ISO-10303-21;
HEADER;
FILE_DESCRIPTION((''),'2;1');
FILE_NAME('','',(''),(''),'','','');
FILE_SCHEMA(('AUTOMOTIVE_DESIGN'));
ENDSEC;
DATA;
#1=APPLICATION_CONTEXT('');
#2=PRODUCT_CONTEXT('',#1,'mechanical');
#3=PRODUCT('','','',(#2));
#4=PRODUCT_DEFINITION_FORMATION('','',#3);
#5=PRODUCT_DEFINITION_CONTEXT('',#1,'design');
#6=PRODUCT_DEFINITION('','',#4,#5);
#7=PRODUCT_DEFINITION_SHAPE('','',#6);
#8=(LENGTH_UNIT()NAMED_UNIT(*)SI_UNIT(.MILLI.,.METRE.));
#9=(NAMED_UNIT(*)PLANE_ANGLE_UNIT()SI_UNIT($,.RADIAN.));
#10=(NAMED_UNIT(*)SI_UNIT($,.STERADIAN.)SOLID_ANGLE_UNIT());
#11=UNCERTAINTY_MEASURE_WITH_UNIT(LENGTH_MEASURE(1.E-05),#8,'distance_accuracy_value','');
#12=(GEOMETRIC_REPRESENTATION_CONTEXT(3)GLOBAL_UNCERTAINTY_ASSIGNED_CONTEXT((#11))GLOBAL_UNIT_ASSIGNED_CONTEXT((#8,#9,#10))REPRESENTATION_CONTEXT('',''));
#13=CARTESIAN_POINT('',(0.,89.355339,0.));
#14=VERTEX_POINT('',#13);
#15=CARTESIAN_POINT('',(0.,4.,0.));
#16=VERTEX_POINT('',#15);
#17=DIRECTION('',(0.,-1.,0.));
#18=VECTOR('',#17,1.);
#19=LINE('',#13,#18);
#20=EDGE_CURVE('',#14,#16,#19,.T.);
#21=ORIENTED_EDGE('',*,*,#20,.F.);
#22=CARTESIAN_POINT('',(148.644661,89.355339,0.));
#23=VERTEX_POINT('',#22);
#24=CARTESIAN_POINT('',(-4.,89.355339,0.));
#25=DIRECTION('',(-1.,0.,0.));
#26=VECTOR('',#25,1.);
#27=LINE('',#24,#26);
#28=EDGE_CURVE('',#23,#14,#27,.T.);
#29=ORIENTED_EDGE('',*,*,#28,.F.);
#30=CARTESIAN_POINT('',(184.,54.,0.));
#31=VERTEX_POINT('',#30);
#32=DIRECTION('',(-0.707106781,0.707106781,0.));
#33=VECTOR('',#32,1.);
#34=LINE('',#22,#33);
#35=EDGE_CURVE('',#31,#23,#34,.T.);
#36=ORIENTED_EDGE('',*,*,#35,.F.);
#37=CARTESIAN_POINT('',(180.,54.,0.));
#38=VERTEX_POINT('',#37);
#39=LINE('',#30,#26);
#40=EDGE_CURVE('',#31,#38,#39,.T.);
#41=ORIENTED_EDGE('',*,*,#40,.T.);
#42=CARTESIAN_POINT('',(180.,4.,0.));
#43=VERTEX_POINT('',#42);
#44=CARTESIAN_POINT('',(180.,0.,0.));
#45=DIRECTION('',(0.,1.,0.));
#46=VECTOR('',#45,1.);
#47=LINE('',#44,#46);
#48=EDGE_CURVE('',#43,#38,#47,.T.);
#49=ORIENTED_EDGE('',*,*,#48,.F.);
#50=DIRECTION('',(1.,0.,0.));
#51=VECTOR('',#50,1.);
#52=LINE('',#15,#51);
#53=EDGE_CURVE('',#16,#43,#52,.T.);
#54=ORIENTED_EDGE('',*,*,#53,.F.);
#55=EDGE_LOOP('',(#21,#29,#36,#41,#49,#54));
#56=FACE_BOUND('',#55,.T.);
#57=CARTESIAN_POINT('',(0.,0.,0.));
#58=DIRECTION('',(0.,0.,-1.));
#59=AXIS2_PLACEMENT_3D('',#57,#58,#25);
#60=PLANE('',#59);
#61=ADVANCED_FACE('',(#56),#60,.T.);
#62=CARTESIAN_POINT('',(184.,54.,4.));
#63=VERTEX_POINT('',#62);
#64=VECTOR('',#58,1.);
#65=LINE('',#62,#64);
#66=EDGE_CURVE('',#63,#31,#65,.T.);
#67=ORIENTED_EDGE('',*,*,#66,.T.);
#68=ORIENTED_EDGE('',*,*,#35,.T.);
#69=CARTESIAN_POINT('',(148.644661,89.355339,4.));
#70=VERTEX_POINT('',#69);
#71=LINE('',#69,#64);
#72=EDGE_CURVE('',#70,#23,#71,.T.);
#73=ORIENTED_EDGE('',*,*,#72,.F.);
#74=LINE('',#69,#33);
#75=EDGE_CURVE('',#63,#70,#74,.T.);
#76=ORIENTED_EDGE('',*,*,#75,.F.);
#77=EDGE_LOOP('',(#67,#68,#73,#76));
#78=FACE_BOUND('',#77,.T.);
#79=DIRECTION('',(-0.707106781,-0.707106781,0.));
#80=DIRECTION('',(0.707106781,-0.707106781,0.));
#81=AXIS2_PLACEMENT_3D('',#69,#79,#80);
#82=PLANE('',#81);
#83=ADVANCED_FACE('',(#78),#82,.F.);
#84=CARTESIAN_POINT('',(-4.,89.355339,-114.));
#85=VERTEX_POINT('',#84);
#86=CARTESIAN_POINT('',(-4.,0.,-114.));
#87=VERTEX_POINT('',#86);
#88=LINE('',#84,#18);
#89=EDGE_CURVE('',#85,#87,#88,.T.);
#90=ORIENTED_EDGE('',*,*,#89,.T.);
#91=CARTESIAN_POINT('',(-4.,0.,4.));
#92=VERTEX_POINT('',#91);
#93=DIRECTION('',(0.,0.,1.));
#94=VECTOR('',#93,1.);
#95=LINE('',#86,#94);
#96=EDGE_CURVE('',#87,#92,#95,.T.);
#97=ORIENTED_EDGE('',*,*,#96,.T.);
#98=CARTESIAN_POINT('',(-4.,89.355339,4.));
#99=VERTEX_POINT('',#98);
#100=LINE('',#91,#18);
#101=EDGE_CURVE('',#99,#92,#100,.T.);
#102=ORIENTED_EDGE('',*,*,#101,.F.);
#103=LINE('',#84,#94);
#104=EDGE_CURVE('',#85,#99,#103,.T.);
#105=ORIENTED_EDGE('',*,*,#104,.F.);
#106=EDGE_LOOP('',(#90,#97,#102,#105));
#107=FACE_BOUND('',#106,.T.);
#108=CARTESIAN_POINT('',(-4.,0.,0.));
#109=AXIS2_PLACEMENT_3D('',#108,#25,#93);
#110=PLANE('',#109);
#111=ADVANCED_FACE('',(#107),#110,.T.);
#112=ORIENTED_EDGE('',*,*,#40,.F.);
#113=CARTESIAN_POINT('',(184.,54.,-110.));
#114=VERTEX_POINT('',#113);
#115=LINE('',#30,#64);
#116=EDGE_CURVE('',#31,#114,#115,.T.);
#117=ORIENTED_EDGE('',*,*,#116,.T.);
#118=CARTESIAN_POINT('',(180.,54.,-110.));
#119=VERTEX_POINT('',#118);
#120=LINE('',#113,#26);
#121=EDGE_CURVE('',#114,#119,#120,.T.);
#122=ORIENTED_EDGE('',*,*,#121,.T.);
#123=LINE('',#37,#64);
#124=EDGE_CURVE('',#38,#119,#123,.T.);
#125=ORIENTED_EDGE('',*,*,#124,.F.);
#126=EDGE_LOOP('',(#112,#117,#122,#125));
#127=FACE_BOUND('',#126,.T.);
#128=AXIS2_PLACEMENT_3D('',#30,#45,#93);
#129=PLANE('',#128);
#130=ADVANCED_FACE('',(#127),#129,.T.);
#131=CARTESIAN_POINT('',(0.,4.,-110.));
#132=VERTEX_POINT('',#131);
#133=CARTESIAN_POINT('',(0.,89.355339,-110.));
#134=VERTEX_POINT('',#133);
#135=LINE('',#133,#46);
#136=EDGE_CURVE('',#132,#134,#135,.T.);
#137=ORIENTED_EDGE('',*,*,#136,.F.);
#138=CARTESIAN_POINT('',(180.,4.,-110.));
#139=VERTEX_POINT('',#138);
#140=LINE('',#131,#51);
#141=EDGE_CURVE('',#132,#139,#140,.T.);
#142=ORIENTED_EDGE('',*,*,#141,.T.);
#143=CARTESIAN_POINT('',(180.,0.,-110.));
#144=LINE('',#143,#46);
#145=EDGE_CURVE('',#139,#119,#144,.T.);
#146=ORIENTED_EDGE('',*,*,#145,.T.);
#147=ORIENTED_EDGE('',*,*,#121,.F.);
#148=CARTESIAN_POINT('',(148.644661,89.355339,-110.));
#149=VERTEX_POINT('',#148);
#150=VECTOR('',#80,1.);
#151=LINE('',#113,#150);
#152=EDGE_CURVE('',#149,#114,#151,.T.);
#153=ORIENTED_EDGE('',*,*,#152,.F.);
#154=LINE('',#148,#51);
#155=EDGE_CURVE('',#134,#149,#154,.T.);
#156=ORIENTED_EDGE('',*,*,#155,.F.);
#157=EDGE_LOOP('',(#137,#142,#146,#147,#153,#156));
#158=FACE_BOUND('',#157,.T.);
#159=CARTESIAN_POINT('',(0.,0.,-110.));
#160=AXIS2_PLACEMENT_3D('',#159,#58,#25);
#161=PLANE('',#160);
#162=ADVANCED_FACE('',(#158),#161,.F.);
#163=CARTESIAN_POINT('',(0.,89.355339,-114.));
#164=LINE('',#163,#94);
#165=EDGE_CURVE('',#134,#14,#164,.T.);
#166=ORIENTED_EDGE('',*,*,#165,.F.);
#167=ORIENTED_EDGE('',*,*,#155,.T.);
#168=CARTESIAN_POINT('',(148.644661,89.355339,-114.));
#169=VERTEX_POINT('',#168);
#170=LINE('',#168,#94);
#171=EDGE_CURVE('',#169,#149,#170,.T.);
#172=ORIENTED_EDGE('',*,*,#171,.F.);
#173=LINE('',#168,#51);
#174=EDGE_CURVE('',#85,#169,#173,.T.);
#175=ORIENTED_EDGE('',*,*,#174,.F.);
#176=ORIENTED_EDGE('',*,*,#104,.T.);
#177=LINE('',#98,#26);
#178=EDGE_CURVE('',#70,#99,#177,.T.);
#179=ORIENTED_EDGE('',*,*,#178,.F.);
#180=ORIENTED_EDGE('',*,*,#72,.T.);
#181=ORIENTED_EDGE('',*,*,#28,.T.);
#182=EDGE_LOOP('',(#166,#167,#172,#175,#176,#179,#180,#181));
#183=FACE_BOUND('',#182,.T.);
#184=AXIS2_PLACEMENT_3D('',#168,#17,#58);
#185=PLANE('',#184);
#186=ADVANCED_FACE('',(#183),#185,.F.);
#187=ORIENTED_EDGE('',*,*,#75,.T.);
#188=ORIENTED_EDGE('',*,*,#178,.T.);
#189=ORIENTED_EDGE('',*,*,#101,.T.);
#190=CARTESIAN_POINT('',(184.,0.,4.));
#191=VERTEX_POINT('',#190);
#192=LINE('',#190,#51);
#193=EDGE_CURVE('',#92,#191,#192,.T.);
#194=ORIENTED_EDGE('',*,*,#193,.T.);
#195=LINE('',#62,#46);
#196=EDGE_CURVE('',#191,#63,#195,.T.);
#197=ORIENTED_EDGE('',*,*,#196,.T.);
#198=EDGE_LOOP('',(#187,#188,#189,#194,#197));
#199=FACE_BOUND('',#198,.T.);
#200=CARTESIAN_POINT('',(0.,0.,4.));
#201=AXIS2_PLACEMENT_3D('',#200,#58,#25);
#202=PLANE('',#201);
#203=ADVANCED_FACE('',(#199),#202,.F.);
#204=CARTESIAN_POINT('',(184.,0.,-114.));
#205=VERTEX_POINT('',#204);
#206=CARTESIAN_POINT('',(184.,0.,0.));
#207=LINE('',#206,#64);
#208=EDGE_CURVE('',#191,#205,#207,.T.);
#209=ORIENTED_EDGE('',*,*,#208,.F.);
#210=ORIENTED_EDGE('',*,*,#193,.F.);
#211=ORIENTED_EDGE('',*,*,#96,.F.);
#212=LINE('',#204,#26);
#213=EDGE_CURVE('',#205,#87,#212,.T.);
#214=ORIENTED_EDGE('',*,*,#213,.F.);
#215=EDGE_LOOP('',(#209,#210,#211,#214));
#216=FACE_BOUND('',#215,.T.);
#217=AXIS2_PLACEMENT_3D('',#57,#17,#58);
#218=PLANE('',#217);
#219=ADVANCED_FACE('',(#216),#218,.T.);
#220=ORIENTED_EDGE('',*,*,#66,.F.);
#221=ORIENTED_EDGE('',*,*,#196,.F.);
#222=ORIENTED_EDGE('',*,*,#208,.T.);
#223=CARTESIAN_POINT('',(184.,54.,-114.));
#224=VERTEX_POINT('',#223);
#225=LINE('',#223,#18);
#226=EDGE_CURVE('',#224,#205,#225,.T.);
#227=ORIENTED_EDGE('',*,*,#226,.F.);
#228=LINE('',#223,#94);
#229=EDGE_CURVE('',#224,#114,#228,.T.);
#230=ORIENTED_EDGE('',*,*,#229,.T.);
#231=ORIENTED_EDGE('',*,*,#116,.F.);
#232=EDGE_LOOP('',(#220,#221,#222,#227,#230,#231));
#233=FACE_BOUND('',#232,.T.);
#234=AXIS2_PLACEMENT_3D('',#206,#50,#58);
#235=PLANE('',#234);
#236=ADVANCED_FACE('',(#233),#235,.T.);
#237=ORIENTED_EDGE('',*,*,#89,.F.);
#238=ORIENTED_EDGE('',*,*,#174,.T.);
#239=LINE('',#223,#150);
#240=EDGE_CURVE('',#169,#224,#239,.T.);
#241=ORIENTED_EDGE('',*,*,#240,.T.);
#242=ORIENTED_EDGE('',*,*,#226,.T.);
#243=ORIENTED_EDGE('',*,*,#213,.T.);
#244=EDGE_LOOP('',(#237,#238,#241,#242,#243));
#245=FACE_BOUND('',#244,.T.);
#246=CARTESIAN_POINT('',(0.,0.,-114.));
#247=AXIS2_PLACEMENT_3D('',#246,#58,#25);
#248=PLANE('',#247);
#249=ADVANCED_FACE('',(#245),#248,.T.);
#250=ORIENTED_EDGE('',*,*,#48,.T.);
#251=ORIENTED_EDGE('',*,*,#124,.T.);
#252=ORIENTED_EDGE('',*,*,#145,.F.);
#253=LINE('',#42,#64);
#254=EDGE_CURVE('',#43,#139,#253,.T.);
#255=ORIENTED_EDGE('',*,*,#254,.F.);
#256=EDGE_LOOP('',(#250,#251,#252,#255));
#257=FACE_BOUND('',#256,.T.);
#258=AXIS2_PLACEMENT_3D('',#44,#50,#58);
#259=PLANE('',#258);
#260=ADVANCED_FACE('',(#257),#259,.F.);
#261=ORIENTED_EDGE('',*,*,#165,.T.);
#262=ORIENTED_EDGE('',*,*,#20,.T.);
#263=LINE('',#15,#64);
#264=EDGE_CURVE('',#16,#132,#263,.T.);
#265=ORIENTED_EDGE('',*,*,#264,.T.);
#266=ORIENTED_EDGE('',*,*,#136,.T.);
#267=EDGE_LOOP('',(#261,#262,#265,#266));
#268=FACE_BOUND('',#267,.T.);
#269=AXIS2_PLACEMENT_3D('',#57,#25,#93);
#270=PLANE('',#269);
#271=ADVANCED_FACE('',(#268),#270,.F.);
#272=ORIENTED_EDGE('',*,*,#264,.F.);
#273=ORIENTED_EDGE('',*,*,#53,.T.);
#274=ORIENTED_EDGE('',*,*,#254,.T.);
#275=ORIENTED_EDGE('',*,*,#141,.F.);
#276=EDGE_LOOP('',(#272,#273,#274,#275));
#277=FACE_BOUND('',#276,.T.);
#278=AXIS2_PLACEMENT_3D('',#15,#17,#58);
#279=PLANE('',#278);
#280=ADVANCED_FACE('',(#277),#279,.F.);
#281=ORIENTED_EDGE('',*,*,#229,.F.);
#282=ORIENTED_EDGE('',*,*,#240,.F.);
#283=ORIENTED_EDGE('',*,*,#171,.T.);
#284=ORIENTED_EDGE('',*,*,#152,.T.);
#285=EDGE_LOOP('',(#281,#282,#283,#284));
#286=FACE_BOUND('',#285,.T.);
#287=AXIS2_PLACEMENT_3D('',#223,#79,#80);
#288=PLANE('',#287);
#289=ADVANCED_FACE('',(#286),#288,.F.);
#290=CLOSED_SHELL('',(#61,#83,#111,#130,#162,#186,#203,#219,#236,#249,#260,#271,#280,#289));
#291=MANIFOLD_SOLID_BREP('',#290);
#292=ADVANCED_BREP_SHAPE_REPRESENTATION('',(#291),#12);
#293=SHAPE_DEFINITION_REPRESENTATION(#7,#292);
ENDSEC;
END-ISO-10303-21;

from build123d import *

# Parameters (mm, degrees)
SKETCH1_W           = 180
SKETCH1_H           = 110
BOSS_EXTRUDE1_DEPTH = 4
SKETCH3_W           = 110
SKETCH3_H           = 54
BOSS_EXTRUDE2_DEPTH = 4
BOSS_EXTRUDE3_DEPTH = 4
SKETCH5_W           = 114
SKETCH5_H           = 89.355339059
BOSS_EXTRUDE4_DEPTH = 4
BOSS_EXTRUDE5_DEPTH = 4


with BuildPart() as part:
    # Sketch1 → Boss-Extrude1 (new body)
    with BuildSketch(Plane(origin=(0, 0, 0), x_dir=(1, 0, 0), z_dir=(0, 1, 0))):
        with Locations((90, 55)):
            Rectangle(SKETCH1_W, SKETCH1_H)
    extrude(amount=BOSS_EXTRUDE1_DEPTH)

    # Sketch3 → Boss-Extrude2 (add)
    with BuildSketch(Plane(origin=(180, 0, 0), x_dir=(0, 0, -1), z_dir=(1, 0, 0))):
        with Locations((55, 27)):
            Rectangle(SKETCH3_W, SKETCH3_H)
    extrude(amount=BOSS_EXTRUDE2_DEPTH)

    # Sketch4 → Boss-Extrude3 (add)
    with BuildSketch(Plane(origin=(0, 0, -110), x_dir=(-1, 0, 0), z_dir=(0, 0, -1))):
        Polygon((-184, 54), (-148.644660941, 89.355339059), (0, 89.355339059), (0, 4), (0, 0), (-184, 0), align=None)
    extrude(amount=BOSS_EXTRUDE3_DEPTH)

    # Sketch5 → Boss-Extrude4 (add)
    with BuildSketch(Plane.ZY):
        with Locations((-57, 44.67766953)):
            Rectangle(SKETCH5_W, SKETCH5_H)
    extrude(amount=BOSS_EXTRUDE4_DEPTH)

    # Sketch10 → Boss-Extrude5 (add)
    with BuildSketch(Plane.XY):
        Polygon((-4, 89.355339059), (148.644660941, 89.355339059), (184, 54), (184, 0), (-4, 0), align=None)
    extrude(amount=BOSS_EXTRUDE5_DEPTH)


solid = part.part
